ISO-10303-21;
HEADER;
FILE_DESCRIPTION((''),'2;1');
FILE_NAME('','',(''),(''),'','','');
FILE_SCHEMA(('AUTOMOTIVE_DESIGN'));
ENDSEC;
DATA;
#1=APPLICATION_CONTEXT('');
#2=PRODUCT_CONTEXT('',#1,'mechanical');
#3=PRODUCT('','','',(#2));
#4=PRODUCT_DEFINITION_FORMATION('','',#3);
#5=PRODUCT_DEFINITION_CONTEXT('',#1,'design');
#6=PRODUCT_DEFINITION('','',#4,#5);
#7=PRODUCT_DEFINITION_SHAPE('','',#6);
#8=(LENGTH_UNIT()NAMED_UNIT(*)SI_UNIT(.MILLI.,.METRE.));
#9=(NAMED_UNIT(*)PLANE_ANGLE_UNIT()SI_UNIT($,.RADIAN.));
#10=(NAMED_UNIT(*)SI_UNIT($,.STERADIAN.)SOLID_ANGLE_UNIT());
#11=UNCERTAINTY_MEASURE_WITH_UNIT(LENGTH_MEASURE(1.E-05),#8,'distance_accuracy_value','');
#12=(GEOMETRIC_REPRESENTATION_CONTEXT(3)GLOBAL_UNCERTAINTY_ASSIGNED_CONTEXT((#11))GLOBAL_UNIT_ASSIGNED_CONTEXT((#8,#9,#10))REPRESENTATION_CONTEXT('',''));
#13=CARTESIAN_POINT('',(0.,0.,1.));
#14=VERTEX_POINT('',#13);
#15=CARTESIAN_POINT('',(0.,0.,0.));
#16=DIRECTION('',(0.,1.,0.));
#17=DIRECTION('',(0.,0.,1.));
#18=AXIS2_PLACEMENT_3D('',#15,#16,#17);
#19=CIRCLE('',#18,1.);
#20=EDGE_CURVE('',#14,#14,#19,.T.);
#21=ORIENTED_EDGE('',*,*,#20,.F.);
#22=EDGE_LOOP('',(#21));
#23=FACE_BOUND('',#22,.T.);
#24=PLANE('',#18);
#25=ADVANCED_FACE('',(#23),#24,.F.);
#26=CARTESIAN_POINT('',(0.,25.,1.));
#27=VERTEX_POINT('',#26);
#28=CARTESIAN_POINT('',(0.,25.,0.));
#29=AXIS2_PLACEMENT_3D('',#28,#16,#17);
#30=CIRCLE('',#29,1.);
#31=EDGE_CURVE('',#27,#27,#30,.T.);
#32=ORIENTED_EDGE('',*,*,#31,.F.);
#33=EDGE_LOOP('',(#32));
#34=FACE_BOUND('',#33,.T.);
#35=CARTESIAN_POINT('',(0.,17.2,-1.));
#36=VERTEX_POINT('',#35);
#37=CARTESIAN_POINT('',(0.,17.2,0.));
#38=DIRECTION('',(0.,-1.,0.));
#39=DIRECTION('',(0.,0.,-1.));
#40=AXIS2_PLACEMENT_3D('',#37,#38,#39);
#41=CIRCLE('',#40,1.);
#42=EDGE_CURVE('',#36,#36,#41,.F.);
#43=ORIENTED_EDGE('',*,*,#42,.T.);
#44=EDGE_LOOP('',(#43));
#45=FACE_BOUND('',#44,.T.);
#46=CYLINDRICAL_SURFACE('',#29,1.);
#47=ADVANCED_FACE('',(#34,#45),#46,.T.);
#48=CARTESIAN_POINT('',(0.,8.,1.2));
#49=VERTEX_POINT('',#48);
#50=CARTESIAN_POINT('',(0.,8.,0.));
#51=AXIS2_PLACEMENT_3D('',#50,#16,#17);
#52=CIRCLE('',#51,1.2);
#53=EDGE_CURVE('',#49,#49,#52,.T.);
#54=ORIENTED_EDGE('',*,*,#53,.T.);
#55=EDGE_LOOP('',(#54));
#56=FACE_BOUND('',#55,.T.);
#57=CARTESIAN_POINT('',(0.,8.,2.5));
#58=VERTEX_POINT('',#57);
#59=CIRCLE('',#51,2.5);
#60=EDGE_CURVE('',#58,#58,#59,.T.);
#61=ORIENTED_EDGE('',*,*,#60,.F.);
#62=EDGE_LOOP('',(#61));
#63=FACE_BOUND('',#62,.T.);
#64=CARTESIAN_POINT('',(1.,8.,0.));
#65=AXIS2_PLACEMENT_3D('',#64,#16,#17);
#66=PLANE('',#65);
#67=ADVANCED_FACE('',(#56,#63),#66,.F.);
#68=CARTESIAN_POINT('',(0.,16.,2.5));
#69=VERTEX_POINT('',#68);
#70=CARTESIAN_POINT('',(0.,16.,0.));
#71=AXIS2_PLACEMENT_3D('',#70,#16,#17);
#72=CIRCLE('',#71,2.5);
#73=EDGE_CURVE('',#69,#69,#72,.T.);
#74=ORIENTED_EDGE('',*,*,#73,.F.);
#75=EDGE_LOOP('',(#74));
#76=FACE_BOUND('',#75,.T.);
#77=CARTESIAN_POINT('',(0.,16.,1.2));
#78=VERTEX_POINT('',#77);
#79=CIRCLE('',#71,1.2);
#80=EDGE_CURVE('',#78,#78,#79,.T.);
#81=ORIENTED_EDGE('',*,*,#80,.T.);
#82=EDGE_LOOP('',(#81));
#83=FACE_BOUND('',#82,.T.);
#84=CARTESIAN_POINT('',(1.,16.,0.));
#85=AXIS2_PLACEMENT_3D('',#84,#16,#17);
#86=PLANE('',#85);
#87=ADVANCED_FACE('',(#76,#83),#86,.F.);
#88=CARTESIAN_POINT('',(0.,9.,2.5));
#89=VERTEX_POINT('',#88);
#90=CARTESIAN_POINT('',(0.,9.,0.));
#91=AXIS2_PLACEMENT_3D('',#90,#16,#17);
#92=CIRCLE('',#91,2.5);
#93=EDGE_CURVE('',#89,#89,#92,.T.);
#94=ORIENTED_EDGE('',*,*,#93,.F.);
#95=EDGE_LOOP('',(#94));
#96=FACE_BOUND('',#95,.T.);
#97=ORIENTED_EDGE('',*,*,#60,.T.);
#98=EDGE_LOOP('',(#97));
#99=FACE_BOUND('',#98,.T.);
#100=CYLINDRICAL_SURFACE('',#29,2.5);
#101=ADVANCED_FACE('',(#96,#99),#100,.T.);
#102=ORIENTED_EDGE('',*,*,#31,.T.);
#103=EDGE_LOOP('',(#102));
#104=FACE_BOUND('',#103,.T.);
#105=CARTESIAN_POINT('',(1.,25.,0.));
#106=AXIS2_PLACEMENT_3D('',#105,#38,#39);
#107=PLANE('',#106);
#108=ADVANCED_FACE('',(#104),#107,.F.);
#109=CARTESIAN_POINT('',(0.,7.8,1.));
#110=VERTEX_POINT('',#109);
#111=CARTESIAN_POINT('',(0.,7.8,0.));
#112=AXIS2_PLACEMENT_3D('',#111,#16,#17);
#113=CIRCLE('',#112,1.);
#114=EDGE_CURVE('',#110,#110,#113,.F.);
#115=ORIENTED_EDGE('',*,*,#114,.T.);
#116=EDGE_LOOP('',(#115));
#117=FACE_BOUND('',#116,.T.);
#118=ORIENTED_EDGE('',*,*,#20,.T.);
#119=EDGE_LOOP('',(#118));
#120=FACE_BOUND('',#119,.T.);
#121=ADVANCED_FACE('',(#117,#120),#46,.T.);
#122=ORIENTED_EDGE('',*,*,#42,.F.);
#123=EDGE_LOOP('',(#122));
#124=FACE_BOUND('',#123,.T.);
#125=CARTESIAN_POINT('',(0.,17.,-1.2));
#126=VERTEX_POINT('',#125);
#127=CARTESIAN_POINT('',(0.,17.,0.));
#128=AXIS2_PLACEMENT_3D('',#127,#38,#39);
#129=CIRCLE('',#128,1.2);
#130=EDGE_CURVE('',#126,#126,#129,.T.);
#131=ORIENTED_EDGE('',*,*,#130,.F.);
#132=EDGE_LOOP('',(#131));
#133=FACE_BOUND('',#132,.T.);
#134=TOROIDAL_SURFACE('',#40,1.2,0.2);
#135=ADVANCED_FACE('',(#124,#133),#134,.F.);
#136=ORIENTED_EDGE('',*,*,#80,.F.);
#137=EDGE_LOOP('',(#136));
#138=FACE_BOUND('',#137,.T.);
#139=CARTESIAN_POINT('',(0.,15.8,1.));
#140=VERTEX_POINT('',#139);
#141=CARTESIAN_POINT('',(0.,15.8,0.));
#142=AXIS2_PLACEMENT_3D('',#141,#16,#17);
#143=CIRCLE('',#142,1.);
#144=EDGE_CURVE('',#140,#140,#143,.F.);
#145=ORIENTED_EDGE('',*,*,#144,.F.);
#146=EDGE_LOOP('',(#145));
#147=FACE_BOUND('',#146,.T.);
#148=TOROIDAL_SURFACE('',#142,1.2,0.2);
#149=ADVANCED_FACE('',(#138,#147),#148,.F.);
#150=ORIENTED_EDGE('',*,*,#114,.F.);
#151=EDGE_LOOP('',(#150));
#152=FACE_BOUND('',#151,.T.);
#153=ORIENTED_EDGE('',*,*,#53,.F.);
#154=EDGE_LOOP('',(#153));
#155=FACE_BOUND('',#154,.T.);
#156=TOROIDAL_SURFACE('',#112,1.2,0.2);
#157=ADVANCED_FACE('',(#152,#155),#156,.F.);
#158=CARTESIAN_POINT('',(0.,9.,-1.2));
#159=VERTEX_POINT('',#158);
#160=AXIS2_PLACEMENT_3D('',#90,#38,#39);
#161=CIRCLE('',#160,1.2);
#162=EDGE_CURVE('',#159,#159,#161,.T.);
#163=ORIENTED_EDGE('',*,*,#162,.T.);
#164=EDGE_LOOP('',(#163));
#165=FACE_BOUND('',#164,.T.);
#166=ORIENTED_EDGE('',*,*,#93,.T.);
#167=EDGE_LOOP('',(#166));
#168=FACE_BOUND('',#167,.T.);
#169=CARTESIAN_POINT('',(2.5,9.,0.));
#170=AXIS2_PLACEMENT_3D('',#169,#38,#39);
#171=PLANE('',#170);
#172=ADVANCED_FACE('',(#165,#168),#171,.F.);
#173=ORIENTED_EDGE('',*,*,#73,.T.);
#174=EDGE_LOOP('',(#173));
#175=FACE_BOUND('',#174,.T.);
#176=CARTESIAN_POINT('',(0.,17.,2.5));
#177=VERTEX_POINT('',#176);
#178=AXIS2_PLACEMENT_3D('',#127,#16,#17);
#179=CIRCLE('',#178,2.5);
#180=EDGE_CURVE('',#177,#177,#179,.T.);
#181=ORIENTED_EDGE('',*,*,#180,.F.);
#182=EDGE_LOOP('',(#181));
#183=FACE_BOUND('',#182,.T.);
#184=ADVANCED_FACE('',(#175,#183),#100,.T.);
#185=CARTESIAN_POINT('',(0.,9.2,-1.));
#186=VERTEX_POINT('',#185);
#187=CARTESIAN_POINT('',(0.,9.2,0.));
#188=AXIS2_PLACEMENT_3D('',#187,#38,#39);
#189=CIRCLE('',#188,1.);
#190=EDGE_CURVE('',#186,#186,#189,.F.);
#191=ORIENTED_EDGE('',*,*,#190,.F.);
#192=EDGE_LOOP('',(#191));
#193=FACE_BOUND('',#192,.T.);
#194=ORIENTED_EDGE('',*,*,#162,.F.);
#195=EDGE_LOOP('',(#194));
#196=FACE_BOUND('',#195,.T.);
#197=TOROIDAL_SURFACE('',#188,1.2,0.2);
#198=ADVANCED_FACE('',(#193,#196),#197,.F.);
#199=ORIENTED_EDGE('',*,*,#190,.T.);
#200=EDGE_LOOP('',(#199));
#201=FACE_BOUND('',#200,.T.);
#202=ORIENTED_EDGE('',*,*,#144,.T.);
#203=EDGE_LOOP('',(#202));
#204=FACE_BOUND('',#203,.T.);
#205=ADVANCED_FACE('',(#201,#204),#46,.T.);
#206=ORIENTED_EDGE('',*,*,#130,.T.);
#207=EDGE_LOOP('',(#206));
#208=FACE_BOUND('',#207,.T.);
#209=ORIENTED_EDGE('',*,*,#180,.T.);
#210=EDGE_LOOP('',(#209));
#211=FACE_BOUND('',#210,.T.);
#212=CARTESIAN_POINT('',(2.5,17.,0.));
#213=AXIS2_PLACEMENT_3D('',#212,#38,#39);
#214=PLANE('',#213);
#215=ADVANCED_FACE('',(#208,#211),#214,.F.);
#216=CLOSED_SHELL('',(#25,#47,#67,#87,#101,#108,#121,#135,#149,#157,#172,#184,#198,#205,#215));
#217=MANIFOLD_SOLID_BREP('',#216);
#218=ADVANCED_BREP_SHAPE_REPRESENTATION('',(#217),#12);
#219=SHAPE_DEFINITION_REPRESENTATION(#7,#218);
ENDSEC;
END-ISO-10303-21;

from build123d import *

# Parameters (mm, degrees)
FILLET1_R = 0.2


with BuildPart() as part:
    # Sketch1 → Revolve1 (revolve)
    with BuildSketch(Plane.XY):
        Polygon((0, 0), (1, 0), (1, 8), (2.5, 8), (2.5, 9), (1, 9), (1, 16), (2.5, 16), (2.5, 17), (1, 17), (1, 25), (0, 25), align=None)
    revolve(axis=Axis((0, 25, 0), (0, -1, 0)))

    # Fillet1
    fillet1_edges = [part.edges().sort_by_distance(p)[0] for p in [
        (-1, 17, 0),
        (-1, 16, 0),
        (-1, 9, 0),
        (-1, 8, 0),
    ]]
    fillet(fillet1_edges, radius=FILLET1_R)


solid = part.part
